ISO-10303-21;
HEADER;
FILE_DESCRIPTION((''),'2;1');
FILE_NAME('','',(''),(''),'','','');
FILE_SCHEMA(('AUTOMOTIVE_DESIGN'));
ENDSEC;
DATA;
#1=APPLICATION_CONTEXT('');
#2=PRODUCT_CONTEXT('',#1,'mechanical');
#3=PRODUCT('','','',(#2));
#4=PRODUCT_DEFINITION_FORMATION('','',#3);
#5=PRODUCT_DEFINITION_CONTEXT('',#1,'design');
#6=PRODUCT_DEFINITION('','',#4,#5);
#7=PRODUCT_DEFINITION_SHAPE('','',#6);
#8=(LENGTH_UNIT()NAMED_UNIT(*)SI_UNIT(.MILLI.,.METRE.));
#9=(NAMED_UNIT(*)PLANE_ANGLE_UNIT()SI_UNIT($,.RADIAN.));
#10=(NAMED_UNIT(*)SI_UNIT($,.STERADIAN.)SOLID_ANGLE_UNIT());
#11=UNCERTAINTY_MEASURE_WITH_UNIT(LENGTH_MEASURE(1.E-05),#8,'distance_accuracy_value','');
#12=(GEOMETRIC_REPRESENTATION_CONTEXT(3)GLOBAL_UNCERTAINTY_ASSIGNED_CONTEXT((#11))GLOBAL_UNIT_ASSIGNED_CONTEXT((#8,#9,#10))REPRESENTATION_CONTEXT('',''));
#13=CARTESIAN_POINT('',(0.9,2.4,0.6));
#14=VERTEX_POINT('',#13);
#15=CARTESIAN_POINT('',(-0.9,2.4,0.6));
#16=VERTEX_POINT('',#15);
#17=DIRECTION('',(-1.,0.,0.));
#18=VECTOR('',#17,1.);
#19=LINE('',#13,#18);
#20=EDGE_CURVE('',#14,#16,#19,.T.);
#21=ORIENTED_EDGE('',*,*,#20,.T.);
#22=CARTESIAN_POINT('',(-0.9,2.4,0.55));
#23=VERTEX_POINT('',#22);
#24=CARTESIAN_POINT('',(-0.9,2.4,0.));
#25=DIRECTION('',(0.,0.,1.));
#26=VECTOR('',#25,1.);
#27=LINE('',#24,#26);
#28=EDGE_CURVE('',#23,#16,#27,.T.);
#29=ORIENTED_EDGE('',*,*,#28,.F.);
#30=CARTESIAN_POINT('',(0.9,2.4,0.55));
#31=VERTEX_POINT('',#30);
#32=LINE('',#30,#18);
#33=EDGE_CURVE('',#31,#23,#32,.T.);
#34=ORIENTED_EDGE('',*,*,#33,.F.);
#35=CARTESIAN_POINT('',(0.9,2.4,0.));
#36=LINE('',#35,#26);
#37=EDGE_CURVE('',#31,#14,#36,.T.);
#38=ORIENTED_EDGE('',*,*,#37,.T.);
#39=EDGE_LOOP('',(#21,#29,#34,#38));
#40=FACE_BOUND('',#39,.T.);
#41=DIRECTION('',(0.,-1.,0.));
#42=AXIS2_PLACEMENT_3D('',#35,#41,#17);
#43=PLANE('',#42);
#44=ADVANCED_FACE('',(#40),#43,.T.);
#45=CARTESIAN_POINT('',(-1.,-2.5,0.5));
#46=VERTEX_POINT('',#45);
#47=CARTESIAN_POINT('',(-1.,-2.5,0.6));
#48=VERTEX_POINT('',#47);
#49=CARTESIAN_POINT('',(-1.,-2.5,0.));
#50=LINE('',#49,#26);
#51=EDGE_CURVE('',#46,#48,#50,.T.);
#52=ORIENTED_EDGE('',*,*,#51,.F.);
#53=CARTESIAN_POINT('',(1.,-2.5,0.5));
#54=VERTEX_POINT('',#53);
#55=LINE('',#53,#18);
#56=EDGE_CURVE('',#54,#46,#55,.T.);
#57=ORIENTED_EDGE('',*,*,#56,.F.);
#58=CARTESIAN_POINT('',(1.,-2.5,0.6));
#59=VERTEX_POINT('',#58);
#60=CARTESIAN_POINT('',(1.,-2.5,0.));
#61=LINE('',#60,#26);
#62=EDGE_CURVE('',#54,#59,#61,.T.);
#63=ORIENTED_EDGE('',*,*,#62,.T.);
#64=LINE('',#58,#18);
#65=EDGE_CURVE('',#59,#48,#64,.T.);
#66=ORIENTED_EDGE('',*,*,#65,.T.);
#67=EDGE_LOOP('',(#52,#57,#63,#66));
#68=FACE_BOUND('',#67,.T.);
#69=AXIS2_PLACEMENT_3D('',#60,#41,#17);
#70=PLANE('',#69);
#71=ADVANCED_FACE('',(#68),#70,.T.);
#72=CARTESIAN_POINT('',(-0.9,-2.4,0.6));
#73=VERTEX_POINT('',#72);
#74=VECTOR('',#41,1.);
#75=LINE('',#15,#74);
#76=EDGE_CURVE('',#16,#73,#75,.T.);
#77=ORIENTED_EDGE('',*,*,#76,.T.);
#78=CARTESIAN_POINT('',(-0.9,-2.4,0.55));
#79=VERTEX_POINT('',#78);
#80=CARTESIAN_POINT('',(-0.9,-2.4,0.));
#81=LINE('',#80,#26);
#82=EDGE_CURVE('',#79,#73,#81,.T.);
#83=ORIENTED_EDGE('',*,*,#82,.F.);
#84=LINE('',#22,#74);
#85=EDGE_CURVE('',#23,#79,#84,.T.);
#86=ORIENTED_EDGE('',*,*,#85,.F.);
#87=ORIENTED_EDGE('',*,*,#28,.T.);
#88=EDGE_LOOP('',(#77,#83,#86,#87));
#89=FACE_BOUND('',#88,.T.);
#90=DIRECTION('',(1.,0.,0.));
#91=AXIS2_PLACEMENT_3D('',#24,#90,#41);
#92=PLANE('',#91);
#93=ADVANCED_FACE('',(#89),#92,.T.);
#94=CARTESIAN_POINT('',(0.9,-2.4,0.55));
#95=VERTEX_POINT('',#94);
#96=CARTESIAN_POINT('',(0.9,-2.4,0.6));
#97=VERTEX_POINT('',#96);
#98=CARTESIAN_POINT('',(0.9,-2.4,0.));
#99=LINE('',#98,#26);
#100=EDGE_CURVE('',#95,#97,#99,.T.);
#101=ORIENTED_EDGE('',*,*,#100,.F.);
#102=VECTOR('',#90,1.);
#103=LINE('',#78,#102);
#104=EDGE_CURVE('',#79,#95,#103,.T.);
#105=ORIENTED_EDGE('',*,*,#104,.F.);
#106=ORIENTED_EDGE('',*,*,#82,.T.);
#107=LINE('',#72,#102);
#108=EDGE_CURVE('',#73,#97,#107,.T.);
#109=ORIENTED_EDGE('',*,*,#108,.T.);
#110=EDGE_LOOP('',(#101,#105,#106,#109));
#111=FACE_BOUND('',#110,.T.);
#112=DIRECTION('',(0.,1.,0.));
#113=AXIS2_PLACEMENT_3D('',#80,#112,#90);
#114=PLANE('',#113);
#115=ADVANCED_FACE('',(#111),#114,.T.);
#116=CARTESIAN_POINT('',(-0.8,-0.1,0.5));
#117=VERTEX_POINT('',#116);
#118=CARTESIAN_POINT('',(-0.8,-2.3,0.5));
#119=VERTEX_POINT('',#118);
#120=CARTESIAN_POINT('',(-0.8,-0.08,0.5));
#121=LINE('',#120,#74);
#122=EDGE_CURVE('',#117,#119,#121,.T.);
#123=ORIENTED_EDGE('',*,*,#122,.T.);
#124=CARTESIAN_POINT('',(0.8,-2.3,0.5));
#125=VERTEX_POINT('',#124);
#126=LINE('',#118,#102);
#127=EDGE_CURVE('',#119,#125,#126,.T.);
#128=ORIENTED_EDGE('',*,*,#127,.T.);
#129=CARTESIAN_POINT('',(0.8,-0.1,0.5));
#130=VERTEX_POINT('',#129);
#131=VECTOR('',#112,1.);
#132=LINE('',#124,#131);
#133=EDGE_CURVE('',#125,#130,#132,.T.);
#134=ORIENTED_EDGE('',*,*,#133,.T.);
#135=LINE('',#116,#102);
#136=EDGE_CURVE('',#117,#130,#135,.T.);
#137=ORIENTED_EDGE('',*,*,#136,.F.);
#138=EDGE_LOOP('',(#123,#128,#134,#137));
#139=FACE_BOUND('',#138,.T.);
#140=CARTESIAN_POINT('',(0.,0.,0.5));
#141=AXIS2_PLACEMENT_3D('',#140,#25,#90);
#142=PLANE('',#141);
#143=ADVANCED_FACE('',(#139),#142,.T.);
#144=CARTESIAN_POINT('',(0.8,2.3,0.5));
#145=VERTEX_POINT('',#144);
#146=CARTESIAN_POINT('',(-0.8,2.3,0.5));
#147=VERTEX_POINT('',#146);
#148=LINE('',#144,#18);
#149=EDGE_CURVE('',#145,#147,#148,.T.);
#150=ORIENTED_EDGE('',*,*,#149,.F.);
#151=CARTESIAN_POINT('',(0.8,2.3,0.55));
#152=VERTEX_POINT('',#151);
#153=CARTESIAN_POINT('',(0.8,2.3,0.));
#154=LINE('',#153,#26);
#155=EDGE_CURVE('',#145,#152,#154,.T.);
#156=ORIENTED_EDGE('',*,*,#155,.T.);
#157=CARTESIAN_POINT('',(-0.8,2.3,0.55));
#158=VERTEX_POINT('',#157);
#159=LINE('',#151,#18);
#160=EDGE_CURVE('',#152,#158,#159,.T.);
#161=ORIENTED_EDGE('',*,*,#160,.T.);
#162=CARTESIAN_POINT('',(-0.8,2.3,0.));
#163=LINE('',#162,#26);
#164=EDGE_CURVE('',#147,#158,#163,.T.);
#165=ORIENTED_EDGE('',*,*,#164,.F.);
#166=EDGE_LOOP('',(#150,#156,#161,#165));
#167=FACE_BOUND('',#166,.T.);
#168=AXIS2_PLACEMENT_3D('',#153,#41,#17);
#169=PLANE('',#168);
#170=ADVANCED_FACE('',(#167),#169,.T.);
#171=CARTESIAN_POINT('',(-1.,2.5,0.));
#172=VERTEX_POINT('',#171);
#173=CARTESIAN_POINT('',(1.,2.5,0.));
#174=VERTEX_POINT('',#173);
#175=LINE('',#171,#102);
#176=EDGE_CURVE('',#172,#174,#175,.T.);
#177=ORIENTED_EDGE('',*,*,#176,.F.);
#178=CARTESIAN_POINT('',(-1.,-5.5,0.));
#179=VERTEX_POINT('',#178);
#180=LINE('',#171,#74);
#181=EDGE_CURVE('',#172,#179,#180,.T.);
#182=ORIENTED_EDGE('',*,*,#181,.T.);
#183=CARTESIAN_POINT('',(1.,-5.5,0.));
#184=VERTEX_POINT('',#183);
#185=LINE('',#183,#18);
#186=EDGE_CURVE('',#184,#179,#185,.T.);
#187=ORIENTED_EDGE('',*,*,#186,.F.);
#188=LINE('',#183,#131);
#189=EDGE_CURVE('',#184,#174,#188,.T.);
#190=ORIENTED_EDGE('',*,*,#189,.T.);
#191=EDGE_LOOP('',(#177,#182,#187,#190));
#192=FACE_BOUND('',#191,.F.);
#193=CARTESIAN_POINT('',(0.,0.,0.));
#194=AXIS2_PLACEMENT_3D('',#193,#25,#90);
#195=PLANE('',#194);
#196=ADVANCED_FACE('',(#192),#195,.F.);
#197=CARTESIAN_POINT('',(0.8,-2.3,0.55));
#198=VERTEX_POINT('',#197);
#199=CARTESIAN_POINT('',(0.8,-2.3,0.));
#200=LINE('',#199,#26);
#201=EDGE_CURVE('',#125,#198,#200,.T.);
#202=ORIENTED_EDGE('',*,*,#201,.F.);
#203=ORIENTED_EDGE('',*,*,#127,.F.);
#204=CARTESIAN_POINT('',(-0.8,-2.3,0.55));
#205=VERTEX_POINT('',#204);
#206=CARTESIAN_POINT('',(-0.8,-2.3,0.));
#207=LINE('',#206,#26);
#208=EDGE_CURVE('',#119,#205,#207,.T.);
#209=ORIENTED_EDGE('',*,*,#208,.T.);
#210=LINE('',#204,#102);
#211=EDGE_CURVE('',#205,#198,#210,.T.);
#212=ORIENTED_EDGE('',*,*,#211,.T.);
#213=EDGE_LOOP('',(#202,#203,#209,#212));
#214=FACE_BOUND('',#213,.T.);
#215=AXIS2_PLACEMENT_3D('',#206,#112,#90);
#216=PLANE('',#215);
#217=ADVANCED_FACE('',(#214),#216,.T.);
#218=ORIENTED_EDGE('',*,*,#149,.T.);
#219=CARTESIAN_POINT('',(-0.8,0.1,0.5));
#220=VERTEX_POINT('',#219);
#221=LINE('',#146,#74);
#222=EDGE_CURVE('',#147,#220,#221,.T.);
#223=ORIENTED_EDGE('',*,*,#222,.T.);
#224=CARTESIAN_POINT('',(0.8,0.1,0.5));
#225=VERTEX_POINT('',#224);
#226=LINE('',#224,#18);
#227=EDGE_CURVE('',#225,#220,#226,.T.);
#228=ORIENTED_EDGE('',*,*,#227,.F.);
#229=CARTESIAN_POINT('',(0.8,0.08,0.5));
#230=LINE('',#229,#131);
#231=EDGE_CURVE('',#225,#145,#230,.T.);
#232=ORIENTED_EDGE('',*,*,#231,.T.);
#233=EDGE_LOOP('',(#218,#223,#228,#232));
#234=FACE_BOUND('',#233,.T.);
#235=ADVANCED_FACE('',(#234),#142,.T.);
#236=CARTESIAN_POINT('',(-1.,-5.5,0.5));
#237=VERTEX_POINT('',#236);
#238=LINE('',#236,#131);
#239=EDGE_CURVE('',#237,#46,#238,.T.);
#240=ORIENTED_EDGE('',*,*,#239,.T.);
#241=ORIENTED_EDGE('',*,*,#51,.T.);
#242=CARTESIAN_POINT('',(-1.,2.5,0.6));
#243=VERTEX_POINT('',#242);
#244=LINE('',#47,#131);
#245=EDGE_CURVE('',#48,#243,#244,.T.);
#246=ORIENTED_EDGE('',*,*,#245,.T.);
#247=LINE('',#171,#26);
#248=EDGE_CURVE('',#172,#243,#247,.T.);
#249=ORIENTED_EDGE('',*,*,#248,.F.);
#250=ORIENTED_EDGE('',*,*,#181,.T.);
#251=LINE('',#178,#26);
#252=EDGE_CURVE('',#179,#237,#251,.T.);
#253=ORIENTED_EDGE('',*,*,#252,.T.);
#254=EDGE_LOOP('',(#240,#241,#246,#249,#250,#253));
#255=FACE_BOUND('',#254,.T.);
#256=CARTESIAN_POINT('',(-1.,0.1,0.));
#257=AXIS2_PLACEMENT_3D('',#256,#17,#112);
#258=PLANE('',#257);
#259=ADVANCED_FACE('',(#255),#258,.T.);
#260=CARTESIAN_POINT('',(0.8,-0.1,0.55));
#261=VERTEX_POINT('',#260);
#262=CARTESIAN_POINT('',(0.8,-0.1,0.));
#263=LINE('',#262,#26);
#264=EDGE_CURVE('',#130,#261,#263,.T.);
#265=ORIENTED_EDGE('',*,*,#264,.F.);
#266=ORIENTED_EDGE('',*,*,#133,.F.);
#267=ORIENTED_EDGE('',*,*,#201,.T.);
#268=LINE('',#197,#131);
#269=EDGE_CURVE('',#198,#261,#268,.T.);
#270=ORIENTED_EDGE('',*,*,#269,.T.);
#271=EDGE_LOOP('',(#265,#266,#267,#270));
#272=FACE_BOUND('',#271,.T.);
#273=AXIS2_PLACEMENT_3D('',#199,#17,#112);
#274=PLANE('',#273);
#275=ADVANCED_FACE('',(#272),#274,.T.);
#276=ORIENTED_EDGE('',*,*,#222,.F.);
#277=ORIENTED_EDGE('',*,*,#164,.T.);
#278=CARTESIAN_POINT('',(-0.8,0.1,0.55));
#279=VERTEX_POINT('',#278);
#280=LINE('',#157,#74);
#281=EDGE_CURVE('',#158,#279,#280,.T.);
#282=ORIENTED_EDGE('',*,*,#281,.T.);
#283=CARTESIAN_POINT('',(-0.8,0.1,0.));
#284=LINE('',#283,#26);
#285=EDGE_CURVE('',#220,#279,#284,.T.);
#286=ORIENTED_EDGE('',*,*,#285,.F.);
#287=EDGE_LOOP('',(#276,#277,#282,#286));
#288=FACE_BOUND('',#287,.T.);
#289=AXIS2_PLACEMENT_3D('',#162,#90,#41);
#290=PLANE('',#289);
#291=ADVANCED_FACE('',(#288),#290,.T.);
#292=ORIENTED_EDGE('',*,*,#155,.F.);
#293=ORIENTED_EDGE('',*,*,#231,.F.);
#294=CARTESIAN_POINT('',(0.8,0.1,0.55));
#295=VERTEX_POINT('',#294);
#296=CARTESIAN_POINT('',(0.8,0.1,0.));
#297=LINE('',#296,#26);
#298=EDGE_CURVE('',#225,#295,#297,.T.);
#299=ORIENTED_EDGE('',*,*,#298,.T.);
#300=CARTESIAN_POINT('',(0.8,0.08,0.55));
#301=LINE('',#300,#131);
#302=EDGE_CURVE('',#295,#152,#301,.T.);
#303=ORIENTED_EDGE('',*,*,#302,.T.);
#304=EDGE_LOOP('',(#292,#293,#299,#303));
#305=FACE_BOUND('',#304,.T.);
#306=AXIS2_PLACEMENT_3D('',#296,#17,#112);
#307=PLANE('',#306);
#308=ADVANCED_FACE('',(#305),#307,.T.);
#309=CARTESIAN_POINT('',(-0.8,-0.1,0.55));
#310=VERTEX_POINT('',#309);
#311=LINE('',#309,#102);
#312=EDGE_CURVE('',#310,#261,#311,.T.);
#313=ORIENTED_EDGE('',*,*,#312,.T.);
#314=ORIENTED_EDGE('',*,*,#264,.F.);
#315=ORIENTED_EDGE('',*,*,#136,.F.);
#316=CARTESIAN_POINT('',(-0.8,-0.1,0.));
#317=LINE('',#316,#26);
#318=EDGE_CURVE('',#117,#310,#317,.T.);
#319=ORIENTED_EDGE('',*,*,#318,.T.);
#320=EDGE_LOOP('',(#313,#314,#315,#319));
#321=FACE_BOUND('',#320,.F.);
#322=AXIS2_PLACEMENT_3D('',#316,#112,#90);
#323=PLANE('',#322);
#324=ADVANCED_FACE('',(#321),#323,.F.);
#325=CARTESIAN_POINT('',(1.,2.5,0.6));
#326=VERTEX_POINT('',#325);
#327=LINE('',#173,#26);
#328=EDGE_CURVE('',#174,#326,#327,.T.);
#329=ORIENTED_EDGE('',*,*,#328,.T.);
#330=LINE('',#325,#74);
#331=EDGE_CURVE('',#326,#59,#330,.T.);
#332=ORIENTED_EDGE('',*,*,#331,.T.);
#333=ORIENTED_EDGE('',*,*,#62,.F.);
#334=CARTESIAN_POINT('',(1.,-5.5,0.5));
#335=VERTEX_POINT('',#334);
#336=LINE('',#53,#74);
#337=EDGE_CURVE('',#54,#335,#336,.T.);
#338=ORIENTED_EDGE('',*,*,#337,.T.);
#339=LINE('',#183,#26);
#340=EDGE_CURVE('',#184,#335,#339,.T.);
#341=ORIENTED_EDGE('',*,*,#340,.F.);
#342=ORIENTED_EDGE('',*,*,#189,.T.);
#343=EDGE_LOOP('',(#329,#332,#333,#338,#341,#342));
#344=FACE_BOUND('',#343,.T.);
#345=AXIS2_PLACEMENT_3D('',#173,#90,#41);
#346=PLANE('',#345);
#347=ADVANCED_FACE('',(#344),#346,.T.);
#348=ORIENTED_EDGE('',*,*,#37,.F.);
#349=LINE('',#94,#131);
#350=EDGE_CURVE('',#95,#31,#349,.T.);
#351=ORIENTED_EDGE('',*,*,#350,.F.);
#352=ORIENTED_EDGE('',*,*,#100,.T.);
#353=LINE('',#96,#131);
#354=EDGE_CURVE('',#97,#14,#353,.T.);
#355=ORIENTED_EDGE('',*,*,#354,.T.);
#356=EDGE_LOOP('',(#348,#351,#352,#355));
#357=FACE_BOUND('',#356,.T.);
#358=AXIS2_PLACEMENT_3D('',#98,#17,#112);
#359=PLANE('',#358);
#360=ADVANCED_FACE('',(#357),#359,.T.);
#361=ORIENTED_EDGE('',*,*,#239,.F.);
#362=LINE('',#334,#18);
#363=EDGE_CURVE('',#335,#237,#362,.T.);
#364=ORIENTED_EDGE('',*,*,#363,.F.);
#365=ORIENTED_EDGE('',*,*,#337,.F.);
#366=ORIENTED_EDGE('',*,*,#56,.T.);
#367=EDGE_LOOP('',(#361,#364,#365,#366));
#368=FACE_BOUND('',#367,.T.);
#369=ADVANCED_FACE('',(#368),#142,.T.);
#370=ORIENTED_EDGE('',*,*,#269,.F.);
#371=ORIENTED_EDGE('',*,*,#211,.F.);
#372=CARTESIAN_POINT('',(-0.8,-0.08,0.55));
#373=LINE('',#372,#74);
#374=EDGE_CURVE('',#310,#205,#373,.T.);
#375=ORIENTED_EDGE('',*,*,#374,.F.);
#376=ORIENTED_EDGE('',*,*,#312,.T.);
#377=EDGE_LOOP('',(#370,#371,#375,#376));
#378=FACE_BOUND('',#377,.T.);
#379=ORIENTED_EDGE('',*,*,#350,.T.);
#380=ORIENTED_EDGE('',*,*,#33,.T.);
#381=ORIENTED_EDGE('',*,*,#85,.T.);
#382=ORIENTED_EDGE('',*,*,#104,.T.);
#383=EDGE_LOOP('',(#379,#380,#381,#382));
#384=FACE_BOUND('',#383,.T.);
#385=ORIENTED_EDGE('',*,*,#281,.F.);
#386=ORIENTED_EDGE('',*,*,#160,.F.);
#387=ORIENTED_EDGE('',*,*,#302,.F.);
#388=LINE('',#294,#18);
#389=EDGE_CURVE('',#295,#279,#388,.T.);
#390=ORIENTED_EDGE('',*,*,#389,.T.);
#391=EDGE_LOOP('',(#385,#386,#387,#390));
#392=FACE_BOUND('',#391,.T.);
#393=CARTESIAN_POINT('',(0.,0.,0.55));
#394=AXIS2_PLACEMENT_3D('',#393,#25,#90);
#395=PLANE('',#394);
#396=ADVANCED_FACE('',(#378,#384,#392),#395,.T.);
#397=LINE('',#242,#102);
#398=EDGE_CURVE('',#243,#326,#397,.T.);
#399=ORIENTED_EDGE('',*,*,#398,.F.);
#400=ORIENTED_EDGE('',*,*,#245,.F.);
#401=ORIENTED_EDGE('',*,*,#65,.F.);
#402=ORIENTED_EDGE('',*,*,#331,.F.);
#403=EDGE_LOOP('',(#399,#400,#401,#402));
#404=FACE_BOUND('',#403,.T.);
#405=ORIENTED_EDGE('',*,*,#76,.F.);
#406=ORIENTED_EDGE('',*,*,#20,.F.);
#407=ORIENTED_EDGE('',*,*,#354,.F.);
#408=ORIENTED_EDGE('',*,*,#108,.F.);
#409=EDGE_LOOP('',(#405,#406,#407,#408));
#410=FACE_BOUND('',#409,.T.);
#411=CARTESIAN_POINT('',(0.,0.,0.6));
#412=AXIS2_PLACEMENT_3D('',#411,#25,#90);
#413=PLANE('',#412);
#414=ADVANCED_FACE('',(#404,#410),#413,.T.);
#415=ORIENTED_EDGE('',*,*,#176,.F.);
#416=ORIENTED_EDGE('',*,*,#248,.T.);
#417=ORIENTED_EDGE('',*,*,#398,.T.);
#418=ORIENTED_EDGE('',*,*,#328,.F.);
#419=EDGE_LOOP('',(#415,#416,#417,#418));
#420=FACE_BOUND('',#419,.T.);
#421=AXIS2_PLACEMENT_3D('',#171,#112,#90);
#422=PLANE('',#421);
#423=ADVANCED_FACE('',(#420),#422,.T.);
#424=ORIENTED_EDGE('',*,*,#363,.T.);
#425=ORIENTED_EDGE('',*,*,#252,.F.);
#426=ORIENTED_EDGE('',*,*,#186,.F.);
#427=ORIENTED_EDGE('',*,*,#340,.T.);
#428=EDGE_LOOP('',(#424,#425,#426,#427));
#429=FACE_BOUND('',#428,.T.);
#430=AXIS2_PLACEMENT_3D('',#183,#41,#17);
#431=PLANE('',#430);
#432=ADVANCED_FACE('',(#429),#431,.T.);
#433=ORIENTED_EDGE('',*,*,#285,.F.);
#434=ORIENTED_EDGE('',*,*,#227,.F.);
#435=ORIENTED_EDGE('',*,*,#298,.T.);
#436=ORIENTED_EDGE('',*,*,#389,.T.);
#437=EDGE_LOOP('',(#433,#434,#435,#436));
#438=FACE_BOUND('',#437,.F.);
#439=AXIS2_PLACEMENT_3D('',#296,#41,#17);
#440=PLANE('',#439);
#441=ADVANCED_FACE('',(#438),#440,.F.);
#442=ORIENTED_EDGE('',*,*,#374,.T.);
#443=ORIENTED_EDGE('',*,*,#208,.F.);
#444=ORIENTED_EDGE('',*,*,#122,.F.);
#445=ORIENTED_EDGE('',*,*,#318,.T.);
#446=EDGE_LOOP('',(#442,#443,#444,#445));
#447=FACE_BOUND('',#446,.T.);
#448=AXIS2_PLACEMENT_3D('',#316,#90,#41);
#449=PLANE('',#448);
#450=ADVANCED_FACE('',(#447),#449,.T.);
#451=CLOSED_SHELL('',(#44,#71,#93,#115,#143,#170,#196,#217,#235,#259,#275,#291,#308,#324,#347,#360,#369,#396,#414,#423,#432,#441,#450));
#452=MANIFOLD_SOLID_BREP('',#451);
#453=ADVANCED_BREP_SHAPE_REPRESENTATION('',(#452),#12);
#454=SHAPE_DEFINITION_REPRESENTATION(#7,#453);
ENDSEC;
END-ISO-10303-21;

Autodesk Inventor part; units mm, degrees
ref_plane "YZ Plane" through (0, 0, 0) normal (1, 0, 0) x (0, 1, 0)
ref_plane "XZ Plane" through (0, 0, 0) normal (0, 1, 0) x (-1, 0, 0)
ref_plane "XY Plane" through (0, 0, 0) normal (0, 0, 1) x (1, 0, 0)
sketch "草圖1" plane through (0, 0, 0) normal (0, 0, 1) x (1, 0, 0)
  line L0 (-1, 2.5) -> (1, 2.5)
  line L1 (1, 2.5) -> (1, -2.5)
  line L2 (1, -2.5) -> (-1, -2.5)
  line L3 (-1, -2.5) -> (-1, 2.5)
  line L4 (-1, 2.5) -> (1, -2.5) construction
  line L5 (1, 2.5) -> (-1, -2.5) construction
  line L6 (-0.8, -0.1) -> (0.8, -0.1)
  line L7 (1, -0.1) -> (1, 0.1)
  line L8 (0.8, 0.1) -> (-0.8, 0.1)
  line L9 (-1, 0.1) -> (-1, -0.1)
  line L10 (-1, -0.1) -> (1, 0.1) construction
  line L11 (1, -0.1) -> (-1, 0.1) construction
  line L12 (-0.8, -2.3) -> (0.8, -2.3)
  line L13 (0.8, 2.3) -> (-0.8, 2.3)
  line L14 (-0.8, 2.3) -> (0.8, -2.3) construction
  line L15 (-0.8, -2.3) -> (0.8, 2.3) construction
  line L16 (0.8, -2.3) -> (0.8, -0.08)
  line L17 (0.8, 0.08) -> (0.8, 2.3)
  line L18 (-0.8, 2.3) -> (-0.8, 0.08)
  line L19 (-0.8, -0.08) -> (-0.8, -2.3)
  line L20 (-1, -2.5) -> (1, -2.5)
  line L21 (1, -2.5) -> (1, -5.5)
  line L22 (1, -5.5) -> (-1, -5.5)
  line L23 (-1, -5.5) -> (-1, -2.5)
  line L24 (-0.9, -2.4) -> (0.9, -2.4)
  line L25 (0.9, -2.4) -> (0.9, 2.4)
  line L26 (0.9, 2.4) -> (-0.9, 2.4)
  line L27 (-0.9, 2.4) -> (-0.9, -2.4)
  line L28 (-0.9, -2.4) -> (0.9, 2.4) construction
  line L29 (0.9, -2.4) -> (-0.9, 2.4) construction
  point P0 (0, 0)
  dimension "d0" = 2
  dimension "d1" = 5
  dimension "d4" = 0.2
  dimension "d5" = 4.6
  dimension "d6" = 1.6
  dimension "d7" = 3
  dimension "d12" = 1.8
  dimension "d13" = 4.8
extrude "擠出4" add sketch "草圖1" along normal blind 0.6 contours L0 L1 L2 L3
extrude "擠出5" add sketch "草圖1" along normal blind 0.55 contours L27 L26 L25 L24
extrude "擠出6" add sketch "草圖1" along normal blind 0.5 contours L2 L21 L22 L23 | L6 L16 L12 L19 | L8 L18 L13 L17
properties part number "窗" material "木材 (胡桃木)"
